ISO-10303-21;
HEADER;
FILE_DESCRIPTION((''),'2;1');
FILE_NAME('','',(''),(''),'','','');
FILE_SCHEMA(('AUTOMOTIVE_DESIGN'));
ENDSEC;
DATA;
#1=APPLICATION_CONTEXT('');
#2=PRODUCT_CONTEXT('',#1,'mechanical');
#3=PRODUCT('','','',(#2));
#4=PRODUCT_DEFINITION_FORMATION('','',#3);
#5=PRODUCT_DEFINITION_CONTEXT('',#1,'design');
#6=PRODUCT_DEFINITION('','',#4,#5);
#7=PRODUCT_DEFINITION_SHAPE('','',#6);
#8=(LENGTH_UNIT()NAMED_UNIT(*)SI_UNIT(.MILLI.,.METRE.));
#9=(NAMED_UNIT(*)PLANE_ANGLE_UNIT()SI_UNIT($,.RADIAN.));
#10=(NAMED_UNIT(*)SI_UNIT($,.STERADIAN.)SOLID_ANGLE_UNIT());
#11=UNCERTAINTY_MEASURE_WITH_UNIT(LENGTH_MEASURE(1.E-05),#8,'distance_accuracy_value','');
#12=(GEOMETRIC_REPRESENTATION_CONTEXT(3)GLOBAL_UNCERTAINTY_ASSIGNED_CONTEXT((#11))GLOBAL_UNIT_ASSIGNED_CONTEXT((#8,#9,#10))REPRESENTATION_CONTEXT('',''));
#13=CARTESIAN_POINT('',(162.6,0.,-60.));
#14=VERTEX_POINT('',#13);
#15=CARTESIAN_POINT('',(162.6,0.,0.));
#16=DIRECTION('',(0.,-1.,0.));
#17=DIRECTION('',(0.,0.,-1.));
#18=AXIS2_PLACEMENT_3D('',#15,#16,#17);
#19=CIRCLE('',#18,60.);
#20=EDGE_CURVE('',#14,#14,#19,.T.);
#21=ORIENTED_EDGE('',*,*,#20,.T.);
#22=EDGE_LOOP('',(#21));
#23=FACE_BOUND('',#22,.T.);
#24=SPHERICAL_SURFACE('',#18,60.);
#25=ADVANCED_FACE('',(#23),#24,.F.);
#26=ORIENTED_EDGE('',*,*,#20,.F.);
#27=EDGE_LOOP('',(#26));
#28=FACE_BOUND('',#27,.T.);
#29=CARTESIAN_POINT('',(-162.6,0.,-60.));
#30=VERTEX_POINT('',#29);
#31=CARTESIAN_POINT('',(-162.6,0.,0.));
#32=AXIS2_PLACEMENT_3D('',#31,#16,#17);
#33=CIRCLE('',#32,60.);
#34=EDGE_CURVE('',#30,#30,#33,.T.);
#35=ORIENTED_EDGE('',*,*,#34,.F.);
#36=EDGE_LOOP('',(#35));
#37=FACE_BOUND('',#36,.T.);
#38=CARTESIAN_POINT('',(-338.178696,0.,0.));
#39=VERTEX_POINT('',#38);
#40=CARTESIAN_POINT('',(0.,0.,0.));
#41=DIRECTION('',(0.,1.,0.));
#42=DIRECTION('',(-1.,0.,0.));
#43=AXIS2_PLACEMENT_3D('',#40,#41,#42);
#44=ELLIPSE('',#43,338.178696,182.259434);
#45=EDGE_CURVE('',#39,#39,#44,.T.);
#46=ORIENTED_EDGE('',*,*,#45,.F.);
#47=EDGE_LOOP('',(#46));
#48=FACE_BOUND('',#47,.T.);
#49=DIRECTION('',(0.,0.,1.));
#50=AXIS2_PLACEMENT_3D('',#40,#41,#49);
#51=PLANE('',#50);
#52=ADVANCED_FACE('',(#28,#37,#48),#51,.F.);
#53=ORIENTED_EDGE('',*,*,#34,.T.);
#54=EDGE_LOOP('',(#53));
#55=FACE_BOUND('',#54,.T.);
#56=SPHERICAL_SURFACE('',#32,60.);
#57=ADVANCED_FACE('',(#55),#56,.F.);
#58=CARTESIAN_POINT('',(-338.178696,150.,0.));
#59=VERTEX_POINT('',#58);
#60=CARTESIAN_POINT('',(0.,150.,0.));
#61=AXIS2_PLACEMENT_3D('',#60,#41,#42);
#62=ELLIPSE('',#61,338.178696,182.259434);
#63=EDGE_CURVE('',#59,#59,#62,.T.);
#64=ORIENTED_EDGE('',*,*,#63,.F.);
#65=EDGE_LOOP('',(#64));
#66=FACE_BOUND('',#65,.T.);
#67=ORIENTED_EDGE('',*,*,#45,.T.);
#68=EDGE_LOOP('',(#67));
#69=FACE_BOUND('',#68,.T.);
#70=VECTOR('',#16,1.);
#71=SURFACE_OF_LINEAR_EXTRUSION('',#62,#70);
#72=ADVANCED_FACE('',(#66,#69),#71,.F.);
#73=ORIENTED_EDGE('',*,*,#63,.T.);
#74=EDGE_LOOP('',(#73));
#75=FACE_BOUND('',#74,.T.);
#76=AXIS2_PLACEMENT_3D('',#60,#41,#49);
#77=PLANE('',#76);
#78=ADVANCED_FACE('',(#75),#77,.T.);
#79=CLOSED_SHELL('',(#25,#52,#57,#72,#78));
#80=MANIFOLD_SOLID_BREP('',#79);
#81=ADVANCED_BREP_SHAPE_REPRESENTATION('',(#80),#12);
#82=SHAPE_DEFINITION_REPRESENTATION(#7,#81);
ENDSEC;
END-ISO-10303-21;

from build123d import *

# Parameters (mm, degrees)
SKETCH1_RX          = 338.178695974
SKETCH1_RY          = 182.259434312
BOSS_EXTRUDE1_DEPTH = 150


with BuildPart() as part:
    # Sketch1 → Boss-Extrude1 (new body)
    with BuildSketch(Plane(origin=(0, 0, 0), x_dir=(1, 0, 0), z_dir=(0, 1, 0))):
        with Locations(Location((0, 0), (0, 0, 180))):
            Ellipse(SKETCH1_RX, SKETCH1_RY)
    extrude(amount=BOSS_EXTRUDE1_DEPTH)

    # Sketch3 → Cut-Revolve2 (revolve, cut)
    with BuildSketch(Plane(origin=(162.6, 0, 0), x_dir=(0, 0, -1), z_dir=(1, 0, 0))):
        with BuildLine():
            Line((0, 0), (0, 60))
            ThreePointArc((0, 60), (42.426406871, 42.426406871), (60, 0))
            Line((60, 0), (0, 0))
        make_face()
    revolve(axis=Axis((162.6, 0, 0), (0, 1, 0)), mode=Mode.SUBTRACT)

    # Sketch5 → Cut-Revolve3 (revolve, cut)
    with BuildSketch(Plane(origin=(-162.6, 0, 0), x_dir=(0, 0, -1), z_dir=(1, 0, 0))):
        with BuildLine():
            Line((0, 0), (0, 60))
            ThreePointArc((0, 60), (42.426406871, 42.426406871), (60, 0))
            Line((60, 0), (0, 0))
        make_face()
    revolve(axis=Axis((-162.6, 0, 0), (0, 1, 0)), mode=Mode.SUBTRACT)


solid = part.part
